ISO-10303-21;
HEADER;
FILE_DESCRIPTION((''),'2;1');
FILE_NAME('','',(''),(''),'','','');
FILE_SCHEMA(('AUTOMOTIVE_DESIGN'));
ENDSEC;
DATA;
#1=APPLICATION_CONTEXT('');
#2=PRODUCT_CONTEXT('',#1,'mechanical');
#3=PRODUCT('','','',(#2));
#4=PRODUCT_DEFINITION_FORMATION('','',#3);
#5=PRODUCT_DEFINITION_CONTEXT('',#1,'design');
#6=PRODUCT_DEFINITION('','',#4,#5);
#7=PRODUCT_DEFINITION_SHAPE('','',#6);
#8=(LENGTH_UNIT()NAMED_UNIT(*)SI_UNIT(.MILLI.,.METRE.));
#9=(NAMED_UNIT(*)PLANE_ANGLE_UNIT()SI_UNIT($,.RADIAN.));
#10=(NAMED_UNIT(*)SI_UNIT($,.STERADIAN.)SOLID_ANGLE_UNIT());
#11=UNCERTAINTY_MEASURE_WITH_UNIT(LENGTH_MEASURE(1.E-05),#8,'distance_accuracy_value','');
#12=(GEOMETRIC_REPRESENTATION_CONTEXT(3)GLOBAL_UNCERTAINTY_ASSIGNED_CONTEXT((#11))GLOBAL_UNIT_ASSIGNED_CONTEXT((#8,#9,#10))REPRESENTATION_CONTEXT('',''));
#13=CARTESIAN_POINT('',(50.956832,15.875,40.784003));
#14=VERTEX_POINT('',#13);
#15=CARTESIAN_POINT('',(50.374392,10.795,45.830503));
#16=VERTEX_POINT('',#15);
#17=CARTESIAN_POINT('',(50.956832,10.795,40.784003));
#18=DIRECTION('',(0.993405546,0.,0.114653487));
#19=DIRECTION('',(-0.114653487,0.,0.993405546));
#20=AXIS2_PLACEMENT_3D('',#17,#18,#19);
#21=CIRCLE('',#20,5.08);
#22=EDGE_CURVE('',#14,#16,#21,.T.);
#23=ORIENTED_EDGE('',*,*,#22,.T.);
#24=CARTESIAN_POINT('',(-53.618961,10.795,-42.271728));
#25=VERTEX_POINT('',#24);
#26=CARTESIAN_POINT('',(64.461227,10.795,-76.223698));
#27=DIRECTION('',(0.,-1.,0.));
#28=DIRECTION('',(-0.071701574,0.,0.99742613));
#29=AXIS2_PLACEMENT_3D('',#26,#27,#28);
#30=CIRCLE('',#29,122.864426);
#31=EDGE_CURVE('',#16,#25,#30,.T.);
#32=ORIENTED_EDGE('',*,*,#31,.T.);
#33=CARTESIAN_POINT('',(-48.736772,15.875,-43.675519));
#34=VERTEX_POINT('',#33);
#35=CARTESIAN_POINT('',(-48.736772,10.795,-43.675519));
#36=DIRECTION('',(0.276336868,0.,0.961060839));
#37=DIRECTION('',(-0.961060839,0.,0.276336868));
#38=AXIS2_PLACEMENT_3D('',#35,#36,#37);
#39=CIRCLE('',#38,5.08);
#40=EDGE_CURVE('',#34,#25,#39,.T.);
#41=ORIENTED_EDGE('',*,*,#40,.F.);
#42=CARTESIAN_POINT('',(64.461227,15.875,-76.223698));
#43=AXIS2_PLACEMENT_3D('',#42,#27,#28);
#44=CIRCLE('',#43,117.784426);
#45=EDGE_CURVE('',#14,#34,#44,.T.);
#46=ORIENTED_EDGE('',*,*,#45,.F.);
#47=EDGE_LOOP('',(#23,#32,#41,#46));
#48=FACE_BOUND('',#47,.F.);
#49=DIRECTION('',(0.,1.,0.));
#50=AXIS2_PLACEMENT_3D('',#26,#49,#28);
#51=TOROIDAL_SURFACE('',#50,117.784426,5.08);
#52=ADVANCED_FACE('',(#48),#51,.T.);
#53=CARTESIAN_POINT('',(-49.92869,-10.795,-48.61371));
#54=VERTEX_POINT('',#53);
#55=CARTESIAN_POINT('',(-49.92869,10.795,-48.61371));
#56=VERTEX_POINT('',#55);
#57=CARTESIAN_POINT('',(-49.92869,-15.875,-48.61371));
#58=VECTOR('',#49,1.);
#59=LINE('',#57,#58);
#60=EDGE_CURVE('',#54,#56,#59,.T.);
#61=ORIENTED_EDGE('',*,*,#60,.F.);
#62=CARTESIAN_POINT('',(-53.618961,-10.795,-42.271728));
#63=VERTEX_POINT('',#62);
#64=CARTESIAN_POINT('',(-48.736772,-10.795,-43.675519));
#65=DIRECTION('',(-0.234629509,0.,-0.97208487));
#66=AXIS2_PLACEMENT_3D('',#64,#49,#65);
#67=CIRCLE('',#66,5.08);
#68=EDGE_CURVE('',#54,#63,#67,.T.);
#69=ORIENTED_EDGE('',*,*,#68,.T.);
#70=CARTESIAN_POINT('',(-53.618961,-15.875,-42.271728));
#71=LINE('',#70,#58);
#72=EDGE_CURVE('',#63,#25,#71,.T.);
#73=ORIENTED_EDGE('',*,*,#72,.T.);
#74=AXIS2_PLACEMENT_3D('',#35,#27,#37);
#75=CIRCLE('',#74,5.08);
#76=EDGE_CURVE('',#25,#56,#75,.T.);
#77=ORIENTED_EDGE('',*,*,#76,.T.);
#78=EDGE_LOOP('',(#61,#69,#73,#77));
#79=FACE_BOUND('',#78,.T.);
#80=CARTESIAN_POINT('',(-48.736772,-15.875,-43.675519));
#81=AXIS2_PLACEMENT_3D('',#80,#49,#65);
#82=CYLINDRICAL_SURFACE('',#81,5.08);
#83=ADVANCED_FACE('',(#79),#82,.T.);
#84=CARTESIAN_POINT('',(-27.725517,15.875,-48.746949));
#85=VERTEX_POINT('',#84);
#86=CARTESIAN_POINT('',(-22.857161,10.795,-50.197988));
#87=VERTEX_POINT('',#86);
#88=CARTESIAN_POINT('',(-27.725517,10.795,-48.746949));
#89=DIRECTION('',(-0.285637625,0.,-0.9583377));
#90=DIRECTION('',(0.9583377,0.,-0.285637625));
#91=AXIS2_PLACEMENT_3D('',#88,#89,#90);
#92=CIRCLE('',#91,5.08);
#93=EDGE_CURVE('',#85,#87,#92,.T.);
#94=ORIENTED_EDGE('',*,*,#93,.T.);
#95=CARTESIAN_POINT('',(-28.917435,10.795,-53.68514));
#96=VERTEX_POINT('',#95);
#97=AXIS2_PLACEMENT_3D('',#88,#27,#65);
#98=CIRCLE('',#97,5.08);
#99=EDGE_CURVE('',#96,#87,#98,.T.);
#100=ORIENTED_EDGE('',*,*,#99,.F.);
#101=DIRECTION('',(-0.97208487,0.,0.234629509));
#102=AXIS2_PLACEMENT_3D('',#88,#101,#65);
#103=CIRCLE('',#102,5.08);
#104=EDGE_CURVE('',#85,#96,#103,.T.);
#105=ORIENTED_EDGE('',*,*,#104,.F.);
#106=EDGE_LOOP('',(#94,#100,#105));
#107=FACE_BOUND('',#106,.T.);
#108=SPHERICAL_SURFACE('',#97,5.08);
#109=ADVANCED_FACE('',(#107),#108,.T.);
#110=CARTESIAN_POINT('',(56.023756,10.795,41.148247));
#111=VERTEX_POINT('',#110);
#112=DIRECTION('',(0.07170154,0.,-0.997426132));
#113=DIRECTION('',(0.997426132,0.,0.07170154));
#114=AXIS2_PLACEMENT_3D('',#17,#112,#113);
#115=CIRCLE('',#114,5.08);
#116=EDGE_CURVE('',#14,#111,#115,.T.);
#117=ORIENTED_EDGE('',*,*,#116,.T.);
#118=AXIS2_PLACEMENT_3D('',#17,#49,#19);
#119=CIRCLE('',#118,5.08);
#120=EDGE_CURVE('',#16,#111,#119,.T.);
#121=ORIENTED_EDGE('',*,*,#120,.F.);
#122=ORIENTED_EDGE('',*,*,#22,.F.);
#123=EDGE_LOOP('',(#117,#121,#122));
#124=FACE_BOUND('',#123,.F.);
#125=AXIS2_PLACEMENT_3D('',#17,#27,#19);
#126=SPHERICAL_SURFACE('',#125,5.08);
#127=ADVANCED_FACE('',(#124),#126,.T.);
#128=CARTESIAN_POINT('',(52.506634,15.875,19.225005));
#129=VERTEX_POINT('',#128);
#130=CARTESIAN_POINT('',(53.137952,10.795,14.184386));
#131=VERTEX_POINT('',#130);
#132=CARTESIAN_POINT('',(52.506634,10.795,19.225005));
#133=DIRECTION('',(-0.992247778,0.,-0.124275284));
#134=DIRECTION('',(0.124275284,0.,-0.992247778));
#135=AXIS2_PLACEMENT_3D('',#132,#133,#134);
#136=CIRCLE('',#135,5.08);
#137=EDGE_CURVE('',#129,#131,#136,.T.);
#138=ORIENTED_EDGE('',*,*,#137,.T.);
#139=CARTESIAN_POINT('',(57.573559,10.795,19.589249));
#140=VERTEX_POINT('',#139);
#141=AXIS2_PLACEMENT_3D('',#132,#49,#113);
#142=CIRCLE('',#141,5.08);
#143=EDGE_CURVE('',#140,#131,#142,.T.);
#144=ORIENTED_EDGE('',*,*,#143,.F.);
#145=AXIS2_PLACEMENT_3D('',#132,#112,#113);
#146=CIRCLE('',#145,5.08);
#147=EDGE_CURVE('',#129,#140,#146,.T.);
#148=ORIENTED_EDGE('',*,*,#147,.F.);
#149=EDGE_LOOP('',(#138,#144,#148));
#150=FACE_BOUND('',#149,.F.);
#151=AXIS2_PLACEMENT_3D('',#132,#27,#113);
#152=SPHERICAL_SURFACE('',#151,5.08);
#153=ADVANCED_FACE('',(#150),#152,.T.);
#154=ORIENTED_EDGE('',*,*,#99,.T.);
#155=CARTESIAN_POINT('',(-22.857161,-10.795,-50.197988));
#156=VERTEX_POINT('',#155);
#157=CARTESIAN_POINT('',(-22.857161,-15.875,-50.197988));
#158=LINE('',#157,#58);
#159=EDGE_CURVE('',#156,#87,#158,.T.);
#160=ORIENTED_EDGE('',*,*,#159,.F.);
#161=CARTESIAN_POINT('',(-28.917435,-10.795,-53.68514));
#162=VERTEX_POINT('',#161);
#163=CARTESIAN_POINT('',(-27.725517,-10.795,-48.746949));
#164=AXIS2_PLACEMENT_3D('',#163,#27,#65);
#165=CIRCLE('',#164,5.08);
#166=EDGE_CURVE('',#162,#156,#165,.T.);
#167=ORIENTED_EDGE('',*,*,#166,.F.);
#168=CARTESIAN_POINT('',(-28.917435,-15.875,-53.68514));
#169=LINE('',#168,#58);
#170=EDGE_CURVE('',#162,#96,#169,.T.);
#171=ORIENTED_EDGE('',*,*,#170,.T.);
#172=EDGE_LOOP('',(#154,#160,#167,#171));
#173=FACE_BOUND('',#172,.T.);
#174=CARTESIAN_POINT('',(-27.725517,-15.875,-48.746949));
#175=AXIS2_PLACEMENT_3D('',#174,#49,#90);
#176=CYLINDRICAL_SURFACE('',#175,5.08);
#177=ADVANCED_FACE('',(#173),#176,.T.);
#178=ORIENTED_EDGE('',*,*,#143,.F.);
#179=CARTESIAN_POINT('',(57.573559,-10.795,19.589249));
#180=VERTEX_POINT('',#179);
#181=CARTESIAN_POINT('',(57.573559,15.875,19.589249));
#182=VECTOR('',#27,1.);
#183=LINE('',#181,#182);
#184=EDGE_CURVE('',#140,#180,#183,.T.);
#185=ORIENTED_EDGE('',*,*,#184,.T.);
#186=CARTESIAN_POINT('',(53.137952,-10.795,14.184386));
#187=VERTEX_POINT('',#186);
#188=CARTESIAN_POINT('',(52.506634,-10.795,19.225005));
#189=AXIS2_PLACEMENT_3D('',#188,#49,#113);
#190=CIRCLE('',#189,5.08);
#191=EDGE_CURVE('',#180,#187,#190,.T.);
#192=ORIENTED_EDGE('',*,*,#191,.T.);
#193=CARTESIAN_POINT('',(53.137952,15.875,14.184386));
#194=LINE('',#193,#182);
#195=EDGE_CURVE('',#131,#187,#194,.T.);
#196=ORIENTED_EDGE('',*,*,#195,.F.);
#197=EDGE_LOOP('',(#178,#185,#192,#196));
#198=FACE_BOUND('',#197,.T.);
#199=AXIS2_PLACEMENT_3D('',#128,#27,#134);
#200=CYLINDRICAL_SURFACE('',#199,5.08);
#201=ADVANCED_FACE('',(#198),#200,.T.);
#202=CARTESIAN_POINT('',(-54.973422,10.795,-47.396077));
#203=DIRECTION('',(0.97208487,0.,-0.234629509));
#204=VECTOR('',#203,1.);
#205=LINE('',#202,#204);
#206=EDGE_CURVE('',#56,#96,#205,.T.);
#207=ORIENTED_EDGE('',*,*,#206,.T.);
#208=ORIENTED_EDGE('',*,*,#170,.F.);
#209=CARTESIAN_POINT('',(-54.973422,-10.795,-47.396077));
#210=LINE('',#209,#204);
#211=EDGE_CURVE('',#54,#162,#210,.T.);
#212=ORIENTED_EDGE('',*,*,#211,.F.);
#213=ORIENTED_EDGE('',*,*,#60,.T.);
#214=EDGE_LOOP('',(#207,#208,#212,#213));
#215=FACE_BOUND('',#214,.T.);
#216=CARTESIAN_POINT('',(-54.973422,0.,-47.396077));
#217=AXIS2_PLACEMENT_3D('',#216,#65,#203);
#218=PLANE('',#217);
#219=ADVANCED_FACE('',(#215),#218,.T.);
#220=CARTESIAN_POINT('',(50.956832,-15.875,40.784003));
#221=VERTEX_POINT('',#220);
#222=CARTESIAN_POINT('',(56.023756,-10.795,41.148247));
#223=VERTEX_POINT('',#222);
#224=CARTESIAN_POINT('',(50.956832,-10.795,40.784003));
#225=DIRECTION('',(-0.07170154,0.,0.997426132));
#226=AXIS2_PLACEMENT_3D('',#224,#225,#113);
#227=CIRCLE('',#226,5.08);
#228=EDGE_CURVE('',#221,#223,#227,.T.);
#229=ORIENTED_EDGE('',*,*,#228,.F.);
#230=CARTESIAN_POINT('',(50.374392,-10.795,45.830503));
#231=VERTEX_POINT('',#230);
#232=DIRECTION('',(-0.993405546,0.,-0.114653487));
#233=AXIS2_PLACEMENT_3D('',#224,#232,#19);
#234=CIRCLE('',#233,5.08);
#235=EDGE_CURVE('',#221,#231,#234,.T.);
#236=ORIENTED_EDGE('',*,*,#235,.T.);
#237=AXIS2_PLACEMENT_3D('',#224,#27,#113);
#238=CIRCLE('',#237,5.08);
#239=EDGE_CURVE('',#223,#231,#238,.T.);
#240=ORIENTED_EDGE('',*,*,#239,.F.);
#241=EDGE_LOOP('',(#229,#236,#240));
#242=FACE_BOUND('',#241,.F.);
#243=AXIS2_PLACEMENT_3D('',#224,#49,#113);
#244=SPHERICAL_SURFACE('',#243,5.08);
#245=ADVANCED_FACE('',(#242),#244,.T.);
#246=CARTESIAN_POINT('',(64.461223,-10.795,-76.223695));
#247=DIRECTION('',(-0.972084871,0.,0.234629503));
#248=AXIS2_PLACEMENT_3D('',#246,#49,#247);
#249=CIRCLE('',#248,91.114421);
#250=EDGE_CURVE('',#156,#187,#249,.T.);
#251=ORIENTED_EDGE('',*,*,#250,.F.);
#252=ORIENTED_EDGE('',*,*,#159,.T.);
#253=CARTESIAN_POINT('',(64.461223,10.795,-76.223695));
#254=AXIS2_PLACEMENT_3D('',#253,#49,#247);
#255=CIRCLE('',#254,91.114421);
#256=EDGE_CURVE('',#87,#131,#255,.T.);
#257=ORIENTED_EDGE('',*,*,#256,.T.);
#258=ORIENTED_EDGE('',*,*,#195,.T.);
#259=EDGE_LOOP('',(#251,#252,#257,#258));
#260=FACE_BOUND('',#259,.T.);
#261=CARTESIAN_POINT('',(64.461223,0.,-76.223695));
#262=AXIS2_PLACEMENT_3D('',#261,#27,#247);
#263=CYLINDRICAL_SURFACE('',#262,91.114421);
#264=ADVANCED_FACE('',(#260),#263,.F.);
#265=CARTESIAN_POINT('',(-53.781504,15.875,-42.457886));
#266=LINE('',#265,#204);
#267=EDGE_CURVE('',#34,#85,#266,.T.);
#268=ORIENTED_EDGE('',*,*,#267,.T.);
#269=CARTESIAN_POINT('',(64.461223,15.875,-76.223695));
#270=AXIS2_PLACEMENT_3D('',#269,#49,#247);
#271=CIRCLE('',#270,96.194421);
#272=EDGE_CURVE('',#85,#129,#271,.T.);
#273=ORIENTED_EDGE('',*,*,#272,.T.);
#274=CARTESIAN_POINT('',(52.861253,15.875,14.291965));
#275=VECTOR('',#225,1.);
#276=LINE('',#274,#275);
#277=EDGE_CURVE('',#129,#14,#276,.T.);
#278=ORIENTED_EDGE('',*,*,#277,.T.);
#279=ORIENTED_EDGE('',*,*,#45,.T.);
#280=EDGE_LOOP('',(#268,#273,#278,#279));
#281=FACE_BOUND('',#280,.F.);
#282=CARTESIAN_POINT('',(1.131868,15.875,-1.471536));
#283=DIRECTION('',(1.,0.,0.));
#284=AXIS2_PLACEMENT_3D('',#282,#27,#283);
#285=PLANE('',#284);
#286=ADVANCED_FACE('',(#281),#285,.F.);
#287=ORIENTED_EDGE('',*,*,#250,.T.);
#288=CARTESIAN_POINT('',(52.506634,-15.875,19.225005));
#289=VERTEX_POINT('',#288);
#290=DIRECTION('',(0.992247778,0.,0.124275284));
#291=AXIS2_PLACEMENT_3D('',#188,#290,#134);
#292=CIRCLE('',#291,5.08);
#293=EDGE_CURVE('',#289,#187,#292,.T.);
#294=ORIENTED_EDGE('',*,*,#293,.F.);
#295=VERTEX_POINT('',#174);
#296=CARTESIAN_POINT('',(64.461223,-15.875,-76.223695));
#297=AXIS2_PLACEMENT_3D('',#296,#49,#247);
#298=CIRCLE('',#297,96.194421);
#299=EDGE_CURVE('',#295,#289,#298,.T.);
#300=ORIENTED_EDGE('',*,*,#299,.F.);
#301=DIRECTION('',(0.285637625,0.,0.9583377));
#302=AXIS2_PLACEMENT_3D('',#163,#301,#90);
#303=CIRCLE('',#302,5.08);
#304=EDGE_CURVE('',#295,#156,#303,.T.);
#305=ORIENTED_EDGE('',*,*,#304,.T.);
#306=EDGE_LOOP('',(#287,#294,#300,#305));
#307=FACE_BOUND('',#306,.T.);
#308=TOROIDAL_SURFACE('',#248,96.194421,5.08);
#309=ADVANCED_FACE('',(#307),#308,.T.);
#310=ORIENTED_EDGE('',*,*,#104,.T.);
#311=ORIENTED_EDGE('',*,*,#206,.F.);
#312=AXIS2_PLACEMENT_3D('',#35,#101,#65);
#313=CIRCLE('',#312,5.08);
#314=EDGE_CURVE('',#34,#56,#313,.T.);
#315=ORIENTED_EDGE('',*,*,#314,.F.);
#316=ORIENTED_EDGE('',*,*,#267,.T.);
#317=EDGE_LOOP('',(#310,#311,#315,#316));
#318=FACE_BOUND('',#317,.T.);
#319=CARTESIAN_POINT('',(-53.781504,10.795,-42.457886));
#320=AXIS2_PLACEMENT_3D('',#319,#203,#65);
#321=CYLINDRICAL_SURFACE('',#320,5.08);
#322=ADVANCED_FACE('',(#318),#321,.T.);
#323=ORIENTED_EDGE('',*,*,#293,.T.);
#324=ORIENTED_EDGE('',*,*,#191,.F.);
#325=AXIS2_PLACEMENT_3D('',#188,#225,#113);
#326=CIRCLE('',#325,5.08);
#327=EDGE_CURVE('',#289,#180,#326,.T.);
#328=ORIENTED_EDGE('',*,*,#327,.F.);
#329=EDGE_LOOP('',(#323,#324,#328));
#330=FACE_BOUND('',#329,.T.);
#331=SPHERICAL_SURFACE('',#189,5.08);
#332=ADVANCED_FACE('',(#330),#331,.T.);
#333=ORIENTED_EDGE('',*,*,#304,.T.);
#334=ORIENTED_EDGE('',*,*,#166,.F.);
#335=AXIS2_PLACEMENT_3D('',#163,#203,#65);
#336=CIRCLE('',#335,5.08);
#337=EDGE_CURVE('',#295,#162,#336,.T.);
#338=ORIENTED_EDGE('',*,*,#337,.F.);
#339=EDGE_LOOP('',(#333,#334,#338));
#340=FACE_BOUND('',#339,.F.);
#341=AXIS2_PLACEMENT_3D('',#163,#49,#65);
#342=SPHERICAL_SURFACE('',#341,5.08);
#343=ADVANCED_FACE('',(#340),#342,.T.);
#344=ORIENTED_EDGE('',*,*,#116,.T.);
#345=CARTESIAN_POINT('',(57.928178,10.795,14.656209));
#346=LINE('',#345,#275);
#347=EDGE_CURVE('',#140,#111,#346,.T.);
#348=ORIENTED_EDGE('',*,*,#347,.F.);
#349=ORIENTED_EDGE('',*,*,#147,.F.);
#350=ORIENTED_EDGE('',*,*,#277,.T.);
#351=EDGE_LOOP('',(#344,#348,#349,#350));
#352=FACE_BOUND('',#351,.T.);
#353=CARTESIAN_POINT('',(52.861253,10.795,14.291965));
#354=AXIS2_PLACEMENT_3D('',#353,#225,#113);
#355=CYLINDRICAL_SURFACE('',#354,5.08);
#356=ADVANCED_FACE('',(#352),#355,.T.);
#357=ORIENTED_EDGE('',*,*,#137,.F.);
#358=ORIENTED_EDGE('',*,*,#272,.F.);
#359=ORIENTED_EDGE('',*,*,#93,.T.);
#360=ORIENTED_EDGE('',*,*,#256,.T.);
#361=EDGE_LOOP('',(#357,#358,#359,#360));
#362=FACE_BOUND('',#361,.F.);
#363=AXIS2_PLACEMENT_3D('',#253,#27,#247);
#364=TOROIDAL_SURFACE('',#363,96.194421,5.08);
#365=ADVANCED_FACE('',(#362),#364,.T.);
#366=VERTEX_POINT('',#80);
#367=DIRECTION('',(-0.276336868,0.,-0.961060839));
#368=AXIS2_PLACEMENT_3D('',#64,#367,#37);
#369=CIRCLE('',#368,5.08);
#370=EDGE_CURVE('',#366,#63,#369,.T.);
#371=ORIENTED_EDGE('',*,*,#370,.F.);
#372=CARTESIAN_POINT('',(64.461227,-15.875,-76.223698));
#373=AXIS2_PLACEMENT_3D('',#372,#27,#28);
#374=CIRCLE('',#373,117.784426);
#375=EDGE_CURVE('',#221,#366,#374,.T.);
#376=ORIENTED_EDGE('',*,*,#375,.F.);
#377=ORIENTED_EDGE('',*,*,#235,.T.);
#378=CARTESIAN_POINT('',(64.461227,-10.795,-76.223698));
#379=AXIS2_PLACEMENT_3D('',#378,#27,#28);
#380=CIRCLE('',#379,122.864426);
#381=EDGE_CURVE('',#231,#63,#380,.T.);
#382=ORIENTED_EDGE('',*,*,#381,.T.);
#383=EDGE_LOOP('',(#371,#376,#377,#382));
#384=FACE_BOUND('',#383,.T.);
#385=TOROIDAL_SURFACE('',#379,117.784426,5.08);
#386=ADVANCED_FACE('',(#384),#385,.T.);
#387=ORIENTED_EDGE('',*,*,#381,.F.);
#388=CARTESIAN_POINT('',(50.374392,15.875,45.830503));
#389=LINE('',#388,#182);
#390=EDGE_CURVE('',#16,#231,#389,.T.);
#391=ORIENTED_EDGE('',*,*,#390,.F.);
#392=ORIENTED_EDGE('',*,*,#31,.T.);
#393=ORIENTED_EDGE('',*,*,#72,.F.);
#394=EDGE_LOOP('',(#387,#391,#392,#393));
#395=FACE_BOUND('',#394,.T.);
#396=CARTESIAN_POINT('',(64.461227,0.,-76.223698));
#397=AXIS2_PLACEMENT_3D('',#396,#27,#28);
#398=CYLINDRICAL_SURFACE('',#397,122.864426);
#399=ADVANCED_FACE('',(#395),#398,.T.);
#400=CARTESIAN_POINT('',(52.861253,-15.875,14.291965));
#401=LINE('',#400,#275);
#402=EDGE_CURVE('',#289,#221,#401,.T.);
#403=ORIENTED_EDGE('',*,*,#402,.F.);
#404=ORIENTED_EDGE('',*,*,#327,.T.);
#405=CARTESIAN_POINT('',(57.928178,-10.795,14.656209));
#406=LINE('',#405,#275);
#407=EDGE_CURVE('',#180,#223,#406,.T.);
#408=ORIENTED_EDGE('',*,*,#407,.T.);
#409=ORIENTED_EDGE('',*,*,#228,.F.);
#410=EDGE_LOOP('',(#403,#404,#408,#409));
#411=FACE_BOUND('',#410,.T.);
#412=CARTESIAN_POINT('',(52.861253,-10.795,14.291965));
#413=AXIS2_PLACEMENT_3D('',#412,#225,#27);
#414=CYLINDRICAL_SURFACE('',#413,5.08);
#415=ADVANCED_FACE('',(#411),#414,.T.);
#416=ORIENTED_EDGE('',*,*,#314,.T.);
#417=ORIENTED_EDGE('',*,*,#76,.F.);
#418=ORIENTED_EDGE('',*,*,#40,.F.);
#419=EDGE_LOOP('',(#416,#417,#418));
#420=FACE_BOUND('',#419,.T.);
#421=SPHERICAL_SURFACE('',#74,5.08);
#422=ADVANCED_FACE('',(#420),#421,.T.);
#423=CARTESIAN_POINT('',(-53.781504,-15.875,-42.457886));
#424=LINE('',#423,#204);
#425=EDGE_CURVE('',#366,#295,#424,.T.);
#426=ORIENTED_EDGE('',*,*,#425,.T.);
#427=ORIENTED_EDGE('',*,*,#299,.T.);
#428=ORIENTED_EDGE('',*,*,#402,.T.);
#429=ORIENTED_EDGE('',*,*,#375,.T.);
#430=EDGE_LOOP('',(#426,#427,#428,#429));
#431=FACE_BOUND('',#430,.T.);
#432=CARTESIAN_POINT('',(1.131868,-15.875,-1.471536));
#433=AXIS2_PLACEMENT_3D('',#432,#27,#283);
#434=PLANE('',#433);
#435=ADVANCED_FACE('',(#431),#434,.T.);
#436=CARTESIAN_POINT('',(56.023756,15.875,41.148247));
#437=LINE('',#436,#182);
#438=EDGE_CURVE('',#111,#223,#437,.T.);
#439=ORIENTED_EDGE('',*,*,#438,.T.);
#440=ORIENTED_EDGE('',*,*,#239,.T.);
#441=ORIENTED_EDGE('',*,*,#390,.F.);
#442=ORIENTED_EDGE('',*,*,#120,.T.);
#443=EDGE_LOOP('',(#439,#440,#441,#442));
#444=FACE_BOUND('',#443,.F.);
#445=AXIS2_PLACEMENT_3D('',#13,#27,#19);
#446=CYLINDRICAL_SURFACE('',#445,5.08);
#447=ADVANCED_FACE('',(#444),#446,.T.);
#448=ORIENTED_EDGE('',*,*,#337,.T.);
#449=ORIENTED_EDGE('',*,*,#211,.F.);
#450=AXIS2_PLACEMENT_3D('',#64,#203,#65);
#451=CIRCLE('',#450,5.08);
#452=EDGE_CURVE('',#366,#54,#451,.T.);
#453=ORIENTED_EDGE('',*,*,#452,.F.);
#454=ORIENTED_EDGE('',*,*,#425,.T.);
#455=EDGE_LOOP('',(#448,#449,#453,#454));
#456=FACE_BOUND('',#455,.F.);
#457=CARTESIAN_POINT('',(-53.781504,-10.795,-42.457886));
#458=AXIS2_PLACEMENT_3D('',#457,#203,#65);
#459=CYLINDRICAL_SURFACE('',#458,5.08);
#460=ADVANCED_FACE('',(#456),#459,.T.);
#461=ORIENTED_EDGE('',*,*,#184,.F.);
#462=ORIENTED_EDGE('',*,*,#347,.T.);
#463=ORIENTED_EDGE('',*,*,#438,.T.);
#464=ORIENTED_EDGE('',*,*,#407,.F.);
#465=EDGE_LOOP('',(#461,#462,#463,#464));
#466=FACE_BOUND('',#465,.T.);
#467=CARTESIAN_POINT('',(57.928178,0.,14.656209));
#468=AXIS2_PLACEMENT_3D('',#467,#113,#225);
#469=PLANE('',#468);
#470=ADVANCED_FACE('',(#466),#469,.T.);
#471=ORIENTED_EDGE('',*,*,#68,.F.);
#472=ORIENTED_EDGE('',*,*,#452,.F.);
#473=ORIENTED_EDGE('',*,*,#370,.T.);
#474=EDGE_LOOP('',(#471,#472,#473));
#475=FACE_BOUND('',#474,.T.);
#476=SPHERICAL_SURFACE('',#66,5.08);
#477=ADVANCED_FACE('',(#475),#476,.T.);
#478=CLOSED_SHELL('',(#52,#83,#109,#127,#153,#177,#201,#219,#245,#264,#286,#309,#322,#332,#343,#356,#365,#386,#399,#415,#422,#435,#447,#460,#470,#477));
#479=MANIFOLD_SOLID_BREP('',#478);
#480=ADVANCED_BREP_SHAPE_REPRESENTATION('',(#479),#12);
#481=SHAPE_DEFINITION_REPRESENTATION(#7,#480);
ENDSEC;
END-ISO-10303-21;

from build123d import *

# Parameters (mm, degrees)
F1_DEPTH = 15.875
F2_R     = 5.08


with BuildPart() as f1:
    # F0 (on Front) → F1 (new body, symmetric)
    with BuildSketch(Plane.XZ):
        with BuildLine():
            ThreePointArc((-24.109727, -54.845564), (5.564563, -6.703762), (57.928178, 14.656209))
            Line((57.928178, 14.656209), (55.651654, 46.32449))
            ThreePointArc((55.651654, 46.32449), (-14.958741, 17.521359), (-54.973422, -47.396077))
            Line((-54.973422, -47.396077), (-24.109727, -54.845564))
        make_face()
    extrude(amount=F1_DEPTH, both=True)

    # F2
    f2_edges = [f1.edges().sort_by_distance(p)[0] for p in [
        (-14.958741, -15.875, 17.521359),
        (5.564563, -15.875, -6.703762),
        (57.928178, 0, 14.656209),
        (56.789916, 15.875, 30.490349),
        (55.651654, 0, 46.32449),
        (56.789916, -15.875, 30.490349),
        (-14.958741, 15.875, 17.521359),
        (5.564563, 15.875, -6.703762),
        (-24.109727, 0, -54.845564),
        (-39.541574, 15.875, -51.12082),
        (-54.973422, 0, -47.396077),
        (-39.541574, -15.875, -51.12082),
    ]]
    fillet(f2_edges, radius=F2_R)


solid = f1.part
